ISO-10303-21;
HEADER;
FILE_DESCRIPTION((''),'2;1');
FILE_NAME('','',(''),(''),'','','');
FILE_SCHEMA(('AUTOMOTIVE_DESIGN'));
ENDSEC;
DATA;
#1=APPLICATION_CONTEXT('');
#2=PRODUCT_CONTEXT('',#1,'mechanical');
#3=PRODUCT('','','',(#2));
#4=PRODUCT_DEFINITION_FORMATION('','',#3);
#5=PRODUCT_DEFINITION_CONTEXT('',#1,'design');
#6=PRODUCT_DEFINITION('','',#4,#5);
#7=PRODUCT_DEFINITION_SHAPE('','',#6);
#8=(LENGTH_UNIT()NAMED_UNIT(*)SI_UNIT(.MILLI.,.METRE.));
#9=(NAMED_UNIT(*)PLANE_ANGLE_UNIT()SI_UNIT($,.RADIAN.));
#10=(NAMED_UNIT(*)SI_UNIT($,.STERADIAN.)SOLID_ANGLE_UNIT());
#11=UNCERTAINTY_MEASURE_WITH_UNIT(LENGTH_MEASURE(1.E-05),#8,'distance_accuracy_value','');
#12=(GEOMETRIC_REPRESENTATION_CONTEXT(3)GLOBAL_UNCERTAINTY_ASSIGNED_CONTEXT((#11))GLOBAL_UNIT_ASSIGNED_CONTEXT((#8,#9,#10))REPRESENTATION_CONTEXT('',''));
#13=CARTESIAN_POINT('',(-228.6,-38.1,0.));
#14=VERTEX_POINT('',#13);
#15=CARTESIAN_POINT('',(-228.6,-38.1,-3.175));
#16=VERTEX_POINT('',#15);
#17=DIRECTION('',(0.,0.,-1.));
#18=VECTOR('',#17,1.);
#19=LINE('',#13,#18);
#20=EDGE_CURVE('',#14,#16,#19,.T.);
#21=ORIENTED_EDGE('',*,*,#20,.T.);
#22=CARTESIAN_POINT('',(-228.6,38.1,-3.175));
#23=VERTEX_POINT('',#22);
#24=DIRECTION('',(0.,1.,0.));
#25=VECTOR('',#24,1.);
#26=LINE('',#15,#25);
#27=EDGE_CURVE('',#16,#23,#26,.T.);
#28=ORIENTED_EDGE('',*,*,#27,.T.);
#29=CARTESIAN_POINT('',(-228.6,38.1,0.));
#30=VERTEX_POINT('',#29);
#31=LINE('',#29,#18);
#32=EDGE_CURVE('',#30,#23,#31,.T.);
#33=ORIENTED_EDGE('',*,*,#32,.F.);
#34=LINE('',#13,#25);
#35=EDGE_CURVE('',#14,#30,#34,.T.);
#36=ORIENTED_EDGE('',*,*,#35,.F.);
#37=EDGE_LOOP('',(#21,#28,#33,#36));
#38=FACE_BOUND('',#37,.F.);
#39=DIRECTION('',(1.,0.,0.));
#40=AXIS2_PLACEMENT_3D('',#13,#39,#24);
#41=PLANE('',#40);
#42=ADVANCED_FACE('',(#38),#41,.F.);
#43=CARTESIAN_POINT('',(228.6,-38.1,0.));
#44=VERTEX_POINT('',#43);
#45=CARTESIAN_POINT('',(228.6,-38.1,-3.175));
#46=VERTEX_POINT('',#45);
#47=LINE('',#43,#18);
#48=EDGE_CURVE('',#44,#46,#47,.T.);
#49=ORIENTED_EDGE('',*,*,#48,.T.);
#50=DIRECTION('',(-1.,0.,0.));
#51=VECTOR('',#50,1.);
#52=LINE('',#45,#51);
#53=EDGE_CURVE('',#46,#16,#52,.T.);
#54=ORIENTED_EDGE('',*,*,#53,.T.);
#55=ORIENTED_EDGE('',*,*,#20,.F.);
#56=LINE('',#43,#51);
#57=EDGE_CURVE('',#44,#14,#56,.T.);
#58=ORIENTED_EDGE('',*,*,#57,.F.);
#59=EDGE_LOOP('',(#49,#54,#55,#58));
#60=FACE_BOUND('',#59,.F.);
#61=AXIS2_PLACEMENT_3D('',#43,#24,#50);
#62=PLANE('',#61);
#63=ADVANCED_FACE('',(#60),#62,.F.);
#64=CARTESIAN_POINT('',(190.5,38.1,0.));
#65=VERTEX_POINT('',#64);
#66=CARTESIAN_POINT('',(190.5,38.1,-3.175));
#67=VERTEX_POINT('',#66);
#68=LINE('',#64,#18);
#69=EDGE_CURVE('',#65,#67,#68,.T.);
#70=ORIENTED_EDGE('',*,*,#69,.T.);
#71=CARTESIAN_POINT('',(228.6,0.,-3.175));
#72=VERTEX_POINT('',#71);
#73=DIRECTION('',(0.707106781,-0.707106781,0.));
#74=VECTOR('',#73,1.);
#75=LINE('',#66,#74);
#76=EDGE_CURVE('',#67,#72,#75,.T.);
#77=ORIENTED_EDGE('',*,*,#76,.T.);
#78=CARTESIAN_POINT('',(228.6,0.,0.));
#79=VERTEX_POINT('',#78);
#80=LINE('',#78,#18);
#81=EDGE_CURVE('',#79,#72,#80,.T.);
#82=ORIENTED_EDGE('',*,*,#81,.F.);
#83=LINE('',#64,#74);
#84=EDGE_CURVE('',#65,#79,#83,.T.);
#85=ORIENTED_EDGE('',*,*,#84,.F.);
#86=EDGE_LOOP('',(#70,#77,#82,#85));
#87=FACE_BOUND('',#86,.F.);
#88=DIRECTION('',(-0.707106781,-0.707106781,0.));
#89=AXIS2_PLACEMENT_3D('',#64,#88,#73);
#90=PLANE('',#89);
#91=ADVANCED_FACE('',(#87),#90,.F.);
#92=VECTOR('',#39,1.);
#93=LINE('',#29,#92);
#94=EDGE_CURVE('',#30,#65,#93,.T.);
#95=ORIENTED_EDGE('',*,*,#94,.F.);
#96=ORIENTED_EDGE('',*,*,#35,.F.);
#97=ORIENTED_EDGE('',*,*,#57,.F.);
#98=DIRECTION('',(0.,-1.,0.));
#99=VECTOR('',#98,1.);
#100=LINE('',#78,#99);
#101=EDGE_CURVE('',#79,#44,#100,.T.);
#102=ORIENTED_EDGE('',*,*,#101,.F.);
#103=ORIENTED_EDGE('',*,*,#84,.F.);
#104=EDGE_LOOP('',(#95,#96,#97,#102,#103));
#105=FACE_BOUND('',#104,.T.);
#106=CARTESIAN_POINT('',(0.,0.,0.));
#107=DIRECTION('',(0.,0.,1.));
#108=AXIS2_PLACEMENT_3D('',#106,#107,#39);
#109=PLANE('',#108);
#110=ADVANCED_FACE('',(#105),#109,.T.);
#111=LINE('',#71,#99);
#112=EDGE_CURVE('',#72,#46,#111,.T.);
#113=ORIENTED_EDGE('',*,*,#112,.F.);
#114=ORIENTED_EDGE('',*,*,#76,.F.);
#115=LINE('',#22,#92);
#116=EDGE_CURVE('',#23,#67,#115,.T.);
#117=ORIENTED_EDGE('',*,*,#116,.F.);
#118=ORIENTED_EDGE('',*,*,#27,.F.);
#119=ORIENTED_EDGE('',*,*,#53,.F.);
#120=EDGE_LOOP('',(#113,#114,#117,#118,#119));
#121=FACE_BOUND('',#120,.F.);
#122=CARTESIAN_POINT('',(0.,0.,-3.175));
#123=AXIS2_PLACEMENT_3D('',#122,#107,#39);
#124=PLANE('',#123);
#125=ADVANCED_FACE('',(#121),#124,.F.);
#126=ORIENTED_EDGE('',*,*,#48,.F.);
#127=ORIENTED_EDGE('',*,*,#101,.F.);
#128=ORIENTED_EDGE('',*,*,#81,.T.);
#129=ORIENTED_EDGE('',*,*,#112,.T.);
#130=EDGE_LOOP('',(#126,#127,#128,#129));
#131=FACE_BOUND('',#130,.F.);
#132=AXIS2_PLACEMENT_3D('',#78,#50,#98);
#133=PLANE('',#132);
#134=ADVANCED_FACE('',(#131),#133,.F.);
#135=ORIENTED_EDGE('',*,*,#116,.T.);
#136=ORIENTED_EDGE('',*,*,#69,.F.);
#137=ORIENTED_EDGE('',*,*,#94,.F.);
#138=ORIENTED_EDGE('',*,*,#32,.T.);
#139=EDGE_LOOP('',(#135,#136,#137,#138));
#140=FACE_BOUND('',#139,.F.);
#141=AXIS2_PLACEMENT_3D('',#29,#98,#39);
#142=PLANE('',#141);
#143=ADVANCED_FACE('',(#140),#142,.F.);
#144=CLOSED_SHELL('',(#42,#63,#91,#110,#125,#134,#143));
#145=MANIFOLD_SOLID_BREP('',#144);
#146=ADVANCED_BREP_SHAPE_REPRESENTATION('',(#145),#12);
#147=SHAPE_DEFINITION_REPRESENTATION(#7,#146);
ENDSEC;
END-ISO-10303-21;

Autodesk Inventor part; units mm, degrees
ref_plane "YZ Plane" through (0, 0, 0) normal (1, 0, 0) x (0, 1, 0)
ref_plane "XZ Plane" through (0, 0, 0) normal (0, 1, 0) x (-1, 0, 0)
ref_plane "XY Plane" through (0, 0, 0) normal (0, 0, 1) x (1, 0, 0)
sketch "Sketch1" plane through (0, 0, 0) normal (0, 0, 1) x (1, 0, 0)
  line L0 (-228.6, 38.1) -> (190.5, 38.1)
  line L1 (228.6, 0) -> (228.6, -38.1)
  line L2 (228.6, -38.1) -> (-228.6, -38.1)
  line L3 (-228.6, -38.1) -> (-228.6, 38.1)
  line L4 (190.5, 38.1) -> (228.6, 0)
  point P0 (0, 0)
  dimension "d1" = 76.2
  dimension "d2" = 38.1
  dimension "d3" = 228.6
  dimension "d6" = 38.1
  dimension "d7" = 45
  dimension "d8" = 457.2
extrude "Extrusion1" add sketch "Sketch1" against normal blind 3.175
properties part number "Side_Panel"
